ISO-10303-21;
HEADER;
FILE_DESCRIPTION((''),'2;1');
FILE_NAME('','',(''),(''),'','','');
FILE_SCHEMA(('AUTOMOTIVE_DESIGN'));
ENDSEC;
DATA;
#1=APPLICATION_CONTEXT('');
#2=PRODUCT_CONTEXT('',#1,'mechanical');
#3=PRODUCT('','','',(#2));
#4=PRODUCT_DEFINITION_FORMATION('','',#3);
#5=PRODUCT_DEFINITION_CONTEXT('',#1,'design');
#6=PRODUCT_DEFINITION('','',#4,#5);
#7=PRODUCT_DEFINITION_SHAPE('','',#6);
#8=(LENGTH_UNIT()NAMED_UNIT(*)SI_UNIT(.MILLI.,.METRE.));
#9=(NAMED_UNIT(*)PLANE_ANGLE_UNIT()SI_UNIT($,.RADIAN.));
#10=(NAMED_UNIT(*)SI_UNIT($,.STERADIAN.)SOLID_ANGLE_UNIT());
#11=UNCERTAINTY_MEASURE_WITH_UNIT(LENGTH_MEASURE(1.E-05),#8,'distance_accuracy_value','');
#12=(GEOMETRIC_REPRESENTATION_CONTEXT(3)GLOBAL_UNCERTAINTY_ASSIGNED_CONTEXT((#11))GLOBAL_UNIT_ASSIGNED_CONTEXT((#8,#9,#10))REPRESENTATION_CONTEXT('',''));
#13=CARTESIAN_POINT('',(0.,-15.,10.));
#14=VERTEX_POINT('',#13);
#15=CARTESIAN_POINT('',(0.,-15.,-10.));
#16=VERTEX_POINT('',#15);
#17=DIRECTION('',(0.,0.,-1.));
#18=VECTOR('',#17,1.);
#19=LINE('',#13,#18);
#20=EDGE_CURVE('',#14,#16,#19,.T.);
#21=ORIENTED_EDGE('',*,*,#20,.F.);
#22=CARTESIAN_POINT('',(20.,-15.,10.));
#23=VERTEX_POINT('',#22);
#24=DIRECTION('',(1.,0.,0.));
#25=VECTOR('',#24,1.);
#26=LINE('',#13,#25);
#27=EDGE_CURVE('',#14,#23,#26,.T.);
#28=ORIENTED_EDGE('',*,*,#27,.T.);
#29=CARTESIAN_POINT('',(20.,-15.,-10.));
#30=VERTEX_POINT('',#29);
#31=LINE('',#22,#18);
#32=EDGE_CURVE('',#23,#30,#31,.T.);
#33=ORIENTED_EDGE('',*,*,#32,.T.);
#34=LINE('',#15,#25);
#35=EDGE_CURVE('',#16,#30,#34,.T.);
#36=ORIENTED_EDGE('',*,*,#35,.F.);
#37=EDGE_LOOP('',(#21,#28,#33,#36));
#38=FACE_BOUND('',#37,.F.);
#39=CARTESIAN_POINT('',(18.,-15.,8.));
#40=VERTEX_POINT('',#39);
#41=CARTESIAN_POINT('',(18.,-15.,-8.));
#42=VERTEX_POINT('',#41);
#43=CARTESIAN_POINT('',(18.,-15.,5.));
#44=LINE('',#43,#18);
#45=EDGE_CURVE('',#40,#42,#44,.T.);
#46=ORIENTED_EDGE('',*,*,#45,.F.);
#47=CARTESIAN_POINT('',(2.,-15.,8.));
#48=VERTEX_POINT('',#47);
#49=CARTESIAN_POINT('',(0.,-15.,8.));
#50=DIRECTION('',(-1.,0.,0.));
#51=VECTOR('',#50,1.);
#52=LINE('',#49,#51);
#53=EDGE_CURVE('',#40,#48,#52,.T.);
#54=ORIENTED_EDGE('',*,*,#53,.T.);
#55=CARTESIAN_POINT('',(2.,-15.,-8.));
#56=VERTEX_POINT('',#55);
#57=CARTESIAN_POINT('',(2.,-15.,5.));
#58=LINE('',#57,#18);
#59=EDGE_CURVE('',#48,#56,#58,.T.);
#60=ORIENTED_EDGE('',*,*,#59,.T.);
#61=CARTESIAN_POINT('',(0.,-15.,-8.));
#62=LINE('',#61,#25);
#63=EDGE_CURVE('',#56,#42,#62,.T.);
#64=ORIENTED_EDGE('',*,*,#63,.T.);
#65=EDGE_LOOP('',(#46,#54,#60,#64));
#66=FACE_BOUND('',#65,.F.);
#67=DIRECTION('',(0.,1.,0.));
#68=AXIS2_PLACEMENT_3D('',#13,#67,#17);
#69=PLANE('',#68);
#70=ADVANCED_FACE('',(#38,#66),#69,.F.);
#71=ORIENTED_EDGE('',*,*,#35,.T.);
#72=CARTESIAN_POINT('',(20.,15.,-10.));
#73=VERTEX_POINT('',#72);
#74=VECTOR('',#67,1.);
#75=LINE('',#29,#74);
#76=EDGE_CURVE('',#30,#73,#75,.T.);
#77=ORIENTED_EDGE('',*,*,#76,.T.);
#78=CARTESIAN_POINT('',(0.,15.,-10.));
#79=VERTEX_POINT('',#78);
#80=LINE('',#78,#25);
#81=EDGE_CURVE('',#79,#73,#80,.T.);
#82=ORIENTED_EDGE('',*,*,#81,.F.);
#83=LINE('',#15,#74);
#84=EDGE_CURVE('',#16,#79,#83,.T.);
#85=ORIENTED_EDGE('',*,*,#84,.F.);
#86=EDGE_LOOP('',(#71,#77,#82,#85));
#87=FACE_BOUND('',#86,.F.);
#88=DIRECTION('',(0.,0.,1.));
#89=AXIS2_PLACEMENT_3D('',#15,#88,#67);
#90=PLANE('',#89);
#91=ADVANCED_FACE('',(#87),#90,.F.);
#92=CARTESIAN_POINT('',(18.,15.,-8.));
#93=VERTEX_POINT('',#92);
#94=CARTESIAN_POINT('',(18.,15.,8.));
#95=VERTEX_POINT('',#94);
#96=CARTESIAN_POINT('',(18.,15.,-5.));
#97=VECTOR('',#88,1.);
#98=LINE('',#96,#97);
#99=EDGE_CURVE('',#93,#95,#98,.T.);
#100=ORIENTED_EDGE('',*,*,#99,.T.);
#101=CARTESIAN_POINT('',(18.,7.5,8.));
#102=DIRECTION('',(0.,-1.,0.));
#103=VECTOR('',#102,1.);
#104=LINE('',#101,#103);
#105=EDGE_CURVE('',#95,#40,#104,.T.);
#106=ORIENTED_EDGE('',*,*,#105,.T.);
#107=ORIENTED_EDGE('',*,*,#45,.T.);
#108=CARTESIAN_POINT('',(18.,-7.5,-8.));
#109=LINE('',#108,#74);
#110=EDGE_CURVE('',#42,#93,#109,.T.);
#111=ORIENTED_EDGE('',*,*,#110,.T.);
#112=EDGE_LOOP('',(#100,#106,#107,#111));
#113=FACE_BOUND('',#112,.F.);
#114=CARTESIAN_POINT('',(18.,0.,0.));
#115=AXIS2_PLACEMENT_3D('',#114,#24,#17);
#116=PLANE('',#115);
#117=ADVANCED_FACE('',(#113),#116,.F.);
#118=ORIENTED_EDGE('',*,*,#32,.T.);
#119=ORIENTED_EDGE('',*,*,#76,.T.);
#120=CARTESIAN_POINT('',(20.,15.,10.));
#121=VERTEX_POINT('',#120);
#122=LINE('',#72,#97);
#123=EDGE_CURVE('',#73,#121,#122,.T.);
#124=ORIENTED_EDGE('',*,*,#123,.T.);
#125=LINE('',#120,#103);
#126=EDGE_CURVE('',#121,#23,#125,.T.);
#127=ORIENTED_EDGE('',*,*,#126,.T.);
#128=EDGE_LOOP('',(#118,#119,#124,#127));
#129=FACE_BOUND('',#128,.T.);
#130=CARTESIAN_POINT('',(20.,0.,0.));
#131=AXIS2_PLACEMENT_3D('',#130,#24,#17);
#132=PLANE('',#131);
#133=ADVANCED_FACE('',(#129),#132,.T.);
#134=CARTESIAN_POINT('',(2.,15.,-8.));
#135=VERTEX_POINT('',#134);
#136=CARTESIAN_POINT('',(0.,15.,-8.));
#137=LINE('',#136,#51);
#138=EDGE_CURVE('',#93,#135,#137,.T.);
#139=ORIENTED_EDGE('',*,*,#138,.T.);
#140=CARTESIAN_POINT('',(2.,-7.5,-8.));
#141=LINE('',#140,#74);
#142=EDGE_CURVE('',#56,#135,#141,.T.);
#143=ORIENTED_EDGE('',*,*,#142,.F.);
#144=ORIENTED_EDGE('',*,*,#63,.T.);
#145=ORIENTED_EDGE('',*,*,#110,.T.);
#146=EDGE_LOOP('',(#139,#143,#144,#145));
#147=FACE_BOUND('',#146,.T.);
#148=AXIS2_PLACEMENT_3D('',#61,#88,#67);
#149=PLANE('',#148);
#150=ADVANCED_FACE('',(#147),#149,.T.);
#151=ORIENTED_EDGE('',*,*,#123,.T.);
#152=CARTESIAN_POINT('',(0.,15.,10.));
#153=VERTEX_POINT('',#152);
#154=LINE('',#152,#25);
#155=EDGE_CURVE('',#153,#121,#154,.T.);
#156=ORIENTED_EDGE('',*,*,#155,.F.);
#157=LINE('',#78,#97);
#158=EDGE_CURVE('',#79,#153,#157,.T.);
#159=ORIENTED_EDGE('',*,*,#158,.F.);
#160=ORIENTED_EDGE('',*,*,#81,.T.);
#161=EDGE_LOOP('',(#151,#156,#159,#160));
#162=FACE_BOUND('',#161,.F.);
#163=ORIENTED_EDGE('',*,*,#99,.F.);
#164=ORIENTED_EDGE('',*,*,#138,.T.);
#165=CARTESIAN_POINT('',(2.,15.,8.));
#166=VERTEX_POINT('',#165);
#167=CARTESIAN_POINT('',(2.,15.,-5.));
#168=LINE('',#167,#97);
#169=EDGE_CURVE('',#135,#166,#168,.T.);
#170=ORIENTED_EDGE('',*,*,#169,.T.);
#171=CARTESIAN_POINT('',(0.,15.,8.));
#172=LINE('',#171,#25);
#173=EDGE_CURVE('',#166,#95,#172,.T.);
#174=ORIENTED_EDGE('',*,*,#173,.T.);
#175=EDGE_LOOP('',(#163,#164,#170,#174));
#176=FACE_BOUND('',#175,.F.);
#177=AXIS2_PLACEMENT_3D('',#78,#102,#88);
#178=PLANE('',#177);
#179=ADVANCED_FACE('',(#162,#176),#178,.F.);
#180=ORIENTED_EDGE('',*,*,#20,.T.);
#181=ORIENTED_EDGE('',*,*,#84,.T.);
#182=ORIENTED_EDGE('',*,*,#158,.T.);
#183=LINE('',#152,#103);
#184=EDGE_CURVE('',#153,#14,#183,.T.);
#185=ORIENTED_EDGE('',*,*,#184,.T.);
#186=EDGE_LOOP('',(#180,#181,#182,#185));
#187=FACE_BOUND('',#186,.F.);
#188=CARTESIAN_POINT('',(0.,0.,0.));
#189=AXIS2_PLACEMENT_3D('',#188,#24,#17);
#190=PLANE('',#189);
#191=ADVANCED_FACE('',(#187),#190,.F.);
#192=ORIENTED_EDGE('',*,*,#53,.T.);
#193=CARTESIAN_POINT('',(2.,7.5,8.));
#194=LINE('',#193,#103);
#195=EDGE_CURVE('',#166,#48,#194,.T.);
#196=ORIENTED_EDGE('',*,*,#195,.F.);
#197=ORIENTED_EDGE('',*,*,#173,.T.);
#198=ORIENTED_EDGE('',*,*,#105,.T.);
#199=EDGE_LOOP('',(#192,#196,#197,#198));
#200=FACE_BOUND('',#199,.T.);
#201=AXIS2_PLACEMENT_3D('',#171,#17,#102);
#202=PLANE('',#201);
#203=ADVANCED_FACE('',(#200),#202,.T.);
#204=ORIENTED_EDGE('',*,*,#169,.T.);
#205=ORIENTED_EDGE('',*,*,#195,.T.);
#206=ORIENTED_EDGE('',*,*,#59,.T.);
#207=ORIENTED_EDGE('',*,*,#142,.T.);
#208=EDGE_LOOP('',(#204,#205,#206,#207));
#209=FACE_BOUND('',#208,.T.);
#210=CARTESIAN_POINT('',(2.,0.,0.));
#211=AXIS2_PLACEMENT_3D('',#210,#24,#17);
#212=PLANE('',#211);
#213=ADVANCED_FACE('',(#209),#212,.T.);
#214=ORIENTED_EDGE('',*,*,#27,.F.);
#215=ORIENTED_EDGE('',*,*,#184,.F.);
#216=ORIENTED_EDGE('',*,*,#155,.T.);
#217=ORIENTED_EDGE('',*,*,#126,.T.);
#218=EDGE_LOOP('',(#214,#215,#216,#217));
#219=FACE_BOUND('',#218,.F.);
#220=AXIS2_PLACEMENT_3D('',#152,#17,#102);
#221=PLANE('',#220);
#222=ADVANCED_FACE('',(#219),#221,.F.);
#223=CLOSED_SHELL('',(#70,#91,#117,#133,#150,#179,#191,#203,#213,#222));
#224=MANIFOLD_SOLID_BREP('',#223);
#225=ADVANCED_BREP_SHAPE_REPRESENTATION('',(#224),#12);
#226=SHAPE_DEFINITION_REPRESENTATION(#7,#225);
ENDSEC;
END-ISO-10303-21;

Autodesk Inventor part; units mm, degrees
ref_plane "YZ Plane" through (0, 0, 0) normal (1, 0, 0) x (0, 1, 0)
ref_plane "XZ Plane" through (0, 0, 0) normal (0, 1, 0) x (-1, 0, 0)
ref_plane "XY Plane" through (0, 0, 0) normal (0, 0, 1) x (1, 0, 0)
sketch "Sketch1" plane through (0, 0, 0) normal (1, 0, 0) x (0, 0, -1)
  line L0 (-10, -15) -> (10, -15)
  line L1 (10, -15) -> (10, 15)
  line L2 (10, 15) -> (-10, 15)
  line L3 (-10, 15) -> (-10, -15)
  line L4 (-10, -15) -> (10, 15) construction
  line L5 (10, -15) -> (-10, 15) construction
  point P0 (0, 0)
  dimension "d0" = 20
  dimension "d1" = 30
extrude "Extrusion1" add sketch "Sketch1" along normal blind 20
shell "Shell1" thickness 2 removed faces 2 at (6.6667, -15, 3.3333) at (6.6667, 15, -3.3333)
properties part number "finger_chamber"
